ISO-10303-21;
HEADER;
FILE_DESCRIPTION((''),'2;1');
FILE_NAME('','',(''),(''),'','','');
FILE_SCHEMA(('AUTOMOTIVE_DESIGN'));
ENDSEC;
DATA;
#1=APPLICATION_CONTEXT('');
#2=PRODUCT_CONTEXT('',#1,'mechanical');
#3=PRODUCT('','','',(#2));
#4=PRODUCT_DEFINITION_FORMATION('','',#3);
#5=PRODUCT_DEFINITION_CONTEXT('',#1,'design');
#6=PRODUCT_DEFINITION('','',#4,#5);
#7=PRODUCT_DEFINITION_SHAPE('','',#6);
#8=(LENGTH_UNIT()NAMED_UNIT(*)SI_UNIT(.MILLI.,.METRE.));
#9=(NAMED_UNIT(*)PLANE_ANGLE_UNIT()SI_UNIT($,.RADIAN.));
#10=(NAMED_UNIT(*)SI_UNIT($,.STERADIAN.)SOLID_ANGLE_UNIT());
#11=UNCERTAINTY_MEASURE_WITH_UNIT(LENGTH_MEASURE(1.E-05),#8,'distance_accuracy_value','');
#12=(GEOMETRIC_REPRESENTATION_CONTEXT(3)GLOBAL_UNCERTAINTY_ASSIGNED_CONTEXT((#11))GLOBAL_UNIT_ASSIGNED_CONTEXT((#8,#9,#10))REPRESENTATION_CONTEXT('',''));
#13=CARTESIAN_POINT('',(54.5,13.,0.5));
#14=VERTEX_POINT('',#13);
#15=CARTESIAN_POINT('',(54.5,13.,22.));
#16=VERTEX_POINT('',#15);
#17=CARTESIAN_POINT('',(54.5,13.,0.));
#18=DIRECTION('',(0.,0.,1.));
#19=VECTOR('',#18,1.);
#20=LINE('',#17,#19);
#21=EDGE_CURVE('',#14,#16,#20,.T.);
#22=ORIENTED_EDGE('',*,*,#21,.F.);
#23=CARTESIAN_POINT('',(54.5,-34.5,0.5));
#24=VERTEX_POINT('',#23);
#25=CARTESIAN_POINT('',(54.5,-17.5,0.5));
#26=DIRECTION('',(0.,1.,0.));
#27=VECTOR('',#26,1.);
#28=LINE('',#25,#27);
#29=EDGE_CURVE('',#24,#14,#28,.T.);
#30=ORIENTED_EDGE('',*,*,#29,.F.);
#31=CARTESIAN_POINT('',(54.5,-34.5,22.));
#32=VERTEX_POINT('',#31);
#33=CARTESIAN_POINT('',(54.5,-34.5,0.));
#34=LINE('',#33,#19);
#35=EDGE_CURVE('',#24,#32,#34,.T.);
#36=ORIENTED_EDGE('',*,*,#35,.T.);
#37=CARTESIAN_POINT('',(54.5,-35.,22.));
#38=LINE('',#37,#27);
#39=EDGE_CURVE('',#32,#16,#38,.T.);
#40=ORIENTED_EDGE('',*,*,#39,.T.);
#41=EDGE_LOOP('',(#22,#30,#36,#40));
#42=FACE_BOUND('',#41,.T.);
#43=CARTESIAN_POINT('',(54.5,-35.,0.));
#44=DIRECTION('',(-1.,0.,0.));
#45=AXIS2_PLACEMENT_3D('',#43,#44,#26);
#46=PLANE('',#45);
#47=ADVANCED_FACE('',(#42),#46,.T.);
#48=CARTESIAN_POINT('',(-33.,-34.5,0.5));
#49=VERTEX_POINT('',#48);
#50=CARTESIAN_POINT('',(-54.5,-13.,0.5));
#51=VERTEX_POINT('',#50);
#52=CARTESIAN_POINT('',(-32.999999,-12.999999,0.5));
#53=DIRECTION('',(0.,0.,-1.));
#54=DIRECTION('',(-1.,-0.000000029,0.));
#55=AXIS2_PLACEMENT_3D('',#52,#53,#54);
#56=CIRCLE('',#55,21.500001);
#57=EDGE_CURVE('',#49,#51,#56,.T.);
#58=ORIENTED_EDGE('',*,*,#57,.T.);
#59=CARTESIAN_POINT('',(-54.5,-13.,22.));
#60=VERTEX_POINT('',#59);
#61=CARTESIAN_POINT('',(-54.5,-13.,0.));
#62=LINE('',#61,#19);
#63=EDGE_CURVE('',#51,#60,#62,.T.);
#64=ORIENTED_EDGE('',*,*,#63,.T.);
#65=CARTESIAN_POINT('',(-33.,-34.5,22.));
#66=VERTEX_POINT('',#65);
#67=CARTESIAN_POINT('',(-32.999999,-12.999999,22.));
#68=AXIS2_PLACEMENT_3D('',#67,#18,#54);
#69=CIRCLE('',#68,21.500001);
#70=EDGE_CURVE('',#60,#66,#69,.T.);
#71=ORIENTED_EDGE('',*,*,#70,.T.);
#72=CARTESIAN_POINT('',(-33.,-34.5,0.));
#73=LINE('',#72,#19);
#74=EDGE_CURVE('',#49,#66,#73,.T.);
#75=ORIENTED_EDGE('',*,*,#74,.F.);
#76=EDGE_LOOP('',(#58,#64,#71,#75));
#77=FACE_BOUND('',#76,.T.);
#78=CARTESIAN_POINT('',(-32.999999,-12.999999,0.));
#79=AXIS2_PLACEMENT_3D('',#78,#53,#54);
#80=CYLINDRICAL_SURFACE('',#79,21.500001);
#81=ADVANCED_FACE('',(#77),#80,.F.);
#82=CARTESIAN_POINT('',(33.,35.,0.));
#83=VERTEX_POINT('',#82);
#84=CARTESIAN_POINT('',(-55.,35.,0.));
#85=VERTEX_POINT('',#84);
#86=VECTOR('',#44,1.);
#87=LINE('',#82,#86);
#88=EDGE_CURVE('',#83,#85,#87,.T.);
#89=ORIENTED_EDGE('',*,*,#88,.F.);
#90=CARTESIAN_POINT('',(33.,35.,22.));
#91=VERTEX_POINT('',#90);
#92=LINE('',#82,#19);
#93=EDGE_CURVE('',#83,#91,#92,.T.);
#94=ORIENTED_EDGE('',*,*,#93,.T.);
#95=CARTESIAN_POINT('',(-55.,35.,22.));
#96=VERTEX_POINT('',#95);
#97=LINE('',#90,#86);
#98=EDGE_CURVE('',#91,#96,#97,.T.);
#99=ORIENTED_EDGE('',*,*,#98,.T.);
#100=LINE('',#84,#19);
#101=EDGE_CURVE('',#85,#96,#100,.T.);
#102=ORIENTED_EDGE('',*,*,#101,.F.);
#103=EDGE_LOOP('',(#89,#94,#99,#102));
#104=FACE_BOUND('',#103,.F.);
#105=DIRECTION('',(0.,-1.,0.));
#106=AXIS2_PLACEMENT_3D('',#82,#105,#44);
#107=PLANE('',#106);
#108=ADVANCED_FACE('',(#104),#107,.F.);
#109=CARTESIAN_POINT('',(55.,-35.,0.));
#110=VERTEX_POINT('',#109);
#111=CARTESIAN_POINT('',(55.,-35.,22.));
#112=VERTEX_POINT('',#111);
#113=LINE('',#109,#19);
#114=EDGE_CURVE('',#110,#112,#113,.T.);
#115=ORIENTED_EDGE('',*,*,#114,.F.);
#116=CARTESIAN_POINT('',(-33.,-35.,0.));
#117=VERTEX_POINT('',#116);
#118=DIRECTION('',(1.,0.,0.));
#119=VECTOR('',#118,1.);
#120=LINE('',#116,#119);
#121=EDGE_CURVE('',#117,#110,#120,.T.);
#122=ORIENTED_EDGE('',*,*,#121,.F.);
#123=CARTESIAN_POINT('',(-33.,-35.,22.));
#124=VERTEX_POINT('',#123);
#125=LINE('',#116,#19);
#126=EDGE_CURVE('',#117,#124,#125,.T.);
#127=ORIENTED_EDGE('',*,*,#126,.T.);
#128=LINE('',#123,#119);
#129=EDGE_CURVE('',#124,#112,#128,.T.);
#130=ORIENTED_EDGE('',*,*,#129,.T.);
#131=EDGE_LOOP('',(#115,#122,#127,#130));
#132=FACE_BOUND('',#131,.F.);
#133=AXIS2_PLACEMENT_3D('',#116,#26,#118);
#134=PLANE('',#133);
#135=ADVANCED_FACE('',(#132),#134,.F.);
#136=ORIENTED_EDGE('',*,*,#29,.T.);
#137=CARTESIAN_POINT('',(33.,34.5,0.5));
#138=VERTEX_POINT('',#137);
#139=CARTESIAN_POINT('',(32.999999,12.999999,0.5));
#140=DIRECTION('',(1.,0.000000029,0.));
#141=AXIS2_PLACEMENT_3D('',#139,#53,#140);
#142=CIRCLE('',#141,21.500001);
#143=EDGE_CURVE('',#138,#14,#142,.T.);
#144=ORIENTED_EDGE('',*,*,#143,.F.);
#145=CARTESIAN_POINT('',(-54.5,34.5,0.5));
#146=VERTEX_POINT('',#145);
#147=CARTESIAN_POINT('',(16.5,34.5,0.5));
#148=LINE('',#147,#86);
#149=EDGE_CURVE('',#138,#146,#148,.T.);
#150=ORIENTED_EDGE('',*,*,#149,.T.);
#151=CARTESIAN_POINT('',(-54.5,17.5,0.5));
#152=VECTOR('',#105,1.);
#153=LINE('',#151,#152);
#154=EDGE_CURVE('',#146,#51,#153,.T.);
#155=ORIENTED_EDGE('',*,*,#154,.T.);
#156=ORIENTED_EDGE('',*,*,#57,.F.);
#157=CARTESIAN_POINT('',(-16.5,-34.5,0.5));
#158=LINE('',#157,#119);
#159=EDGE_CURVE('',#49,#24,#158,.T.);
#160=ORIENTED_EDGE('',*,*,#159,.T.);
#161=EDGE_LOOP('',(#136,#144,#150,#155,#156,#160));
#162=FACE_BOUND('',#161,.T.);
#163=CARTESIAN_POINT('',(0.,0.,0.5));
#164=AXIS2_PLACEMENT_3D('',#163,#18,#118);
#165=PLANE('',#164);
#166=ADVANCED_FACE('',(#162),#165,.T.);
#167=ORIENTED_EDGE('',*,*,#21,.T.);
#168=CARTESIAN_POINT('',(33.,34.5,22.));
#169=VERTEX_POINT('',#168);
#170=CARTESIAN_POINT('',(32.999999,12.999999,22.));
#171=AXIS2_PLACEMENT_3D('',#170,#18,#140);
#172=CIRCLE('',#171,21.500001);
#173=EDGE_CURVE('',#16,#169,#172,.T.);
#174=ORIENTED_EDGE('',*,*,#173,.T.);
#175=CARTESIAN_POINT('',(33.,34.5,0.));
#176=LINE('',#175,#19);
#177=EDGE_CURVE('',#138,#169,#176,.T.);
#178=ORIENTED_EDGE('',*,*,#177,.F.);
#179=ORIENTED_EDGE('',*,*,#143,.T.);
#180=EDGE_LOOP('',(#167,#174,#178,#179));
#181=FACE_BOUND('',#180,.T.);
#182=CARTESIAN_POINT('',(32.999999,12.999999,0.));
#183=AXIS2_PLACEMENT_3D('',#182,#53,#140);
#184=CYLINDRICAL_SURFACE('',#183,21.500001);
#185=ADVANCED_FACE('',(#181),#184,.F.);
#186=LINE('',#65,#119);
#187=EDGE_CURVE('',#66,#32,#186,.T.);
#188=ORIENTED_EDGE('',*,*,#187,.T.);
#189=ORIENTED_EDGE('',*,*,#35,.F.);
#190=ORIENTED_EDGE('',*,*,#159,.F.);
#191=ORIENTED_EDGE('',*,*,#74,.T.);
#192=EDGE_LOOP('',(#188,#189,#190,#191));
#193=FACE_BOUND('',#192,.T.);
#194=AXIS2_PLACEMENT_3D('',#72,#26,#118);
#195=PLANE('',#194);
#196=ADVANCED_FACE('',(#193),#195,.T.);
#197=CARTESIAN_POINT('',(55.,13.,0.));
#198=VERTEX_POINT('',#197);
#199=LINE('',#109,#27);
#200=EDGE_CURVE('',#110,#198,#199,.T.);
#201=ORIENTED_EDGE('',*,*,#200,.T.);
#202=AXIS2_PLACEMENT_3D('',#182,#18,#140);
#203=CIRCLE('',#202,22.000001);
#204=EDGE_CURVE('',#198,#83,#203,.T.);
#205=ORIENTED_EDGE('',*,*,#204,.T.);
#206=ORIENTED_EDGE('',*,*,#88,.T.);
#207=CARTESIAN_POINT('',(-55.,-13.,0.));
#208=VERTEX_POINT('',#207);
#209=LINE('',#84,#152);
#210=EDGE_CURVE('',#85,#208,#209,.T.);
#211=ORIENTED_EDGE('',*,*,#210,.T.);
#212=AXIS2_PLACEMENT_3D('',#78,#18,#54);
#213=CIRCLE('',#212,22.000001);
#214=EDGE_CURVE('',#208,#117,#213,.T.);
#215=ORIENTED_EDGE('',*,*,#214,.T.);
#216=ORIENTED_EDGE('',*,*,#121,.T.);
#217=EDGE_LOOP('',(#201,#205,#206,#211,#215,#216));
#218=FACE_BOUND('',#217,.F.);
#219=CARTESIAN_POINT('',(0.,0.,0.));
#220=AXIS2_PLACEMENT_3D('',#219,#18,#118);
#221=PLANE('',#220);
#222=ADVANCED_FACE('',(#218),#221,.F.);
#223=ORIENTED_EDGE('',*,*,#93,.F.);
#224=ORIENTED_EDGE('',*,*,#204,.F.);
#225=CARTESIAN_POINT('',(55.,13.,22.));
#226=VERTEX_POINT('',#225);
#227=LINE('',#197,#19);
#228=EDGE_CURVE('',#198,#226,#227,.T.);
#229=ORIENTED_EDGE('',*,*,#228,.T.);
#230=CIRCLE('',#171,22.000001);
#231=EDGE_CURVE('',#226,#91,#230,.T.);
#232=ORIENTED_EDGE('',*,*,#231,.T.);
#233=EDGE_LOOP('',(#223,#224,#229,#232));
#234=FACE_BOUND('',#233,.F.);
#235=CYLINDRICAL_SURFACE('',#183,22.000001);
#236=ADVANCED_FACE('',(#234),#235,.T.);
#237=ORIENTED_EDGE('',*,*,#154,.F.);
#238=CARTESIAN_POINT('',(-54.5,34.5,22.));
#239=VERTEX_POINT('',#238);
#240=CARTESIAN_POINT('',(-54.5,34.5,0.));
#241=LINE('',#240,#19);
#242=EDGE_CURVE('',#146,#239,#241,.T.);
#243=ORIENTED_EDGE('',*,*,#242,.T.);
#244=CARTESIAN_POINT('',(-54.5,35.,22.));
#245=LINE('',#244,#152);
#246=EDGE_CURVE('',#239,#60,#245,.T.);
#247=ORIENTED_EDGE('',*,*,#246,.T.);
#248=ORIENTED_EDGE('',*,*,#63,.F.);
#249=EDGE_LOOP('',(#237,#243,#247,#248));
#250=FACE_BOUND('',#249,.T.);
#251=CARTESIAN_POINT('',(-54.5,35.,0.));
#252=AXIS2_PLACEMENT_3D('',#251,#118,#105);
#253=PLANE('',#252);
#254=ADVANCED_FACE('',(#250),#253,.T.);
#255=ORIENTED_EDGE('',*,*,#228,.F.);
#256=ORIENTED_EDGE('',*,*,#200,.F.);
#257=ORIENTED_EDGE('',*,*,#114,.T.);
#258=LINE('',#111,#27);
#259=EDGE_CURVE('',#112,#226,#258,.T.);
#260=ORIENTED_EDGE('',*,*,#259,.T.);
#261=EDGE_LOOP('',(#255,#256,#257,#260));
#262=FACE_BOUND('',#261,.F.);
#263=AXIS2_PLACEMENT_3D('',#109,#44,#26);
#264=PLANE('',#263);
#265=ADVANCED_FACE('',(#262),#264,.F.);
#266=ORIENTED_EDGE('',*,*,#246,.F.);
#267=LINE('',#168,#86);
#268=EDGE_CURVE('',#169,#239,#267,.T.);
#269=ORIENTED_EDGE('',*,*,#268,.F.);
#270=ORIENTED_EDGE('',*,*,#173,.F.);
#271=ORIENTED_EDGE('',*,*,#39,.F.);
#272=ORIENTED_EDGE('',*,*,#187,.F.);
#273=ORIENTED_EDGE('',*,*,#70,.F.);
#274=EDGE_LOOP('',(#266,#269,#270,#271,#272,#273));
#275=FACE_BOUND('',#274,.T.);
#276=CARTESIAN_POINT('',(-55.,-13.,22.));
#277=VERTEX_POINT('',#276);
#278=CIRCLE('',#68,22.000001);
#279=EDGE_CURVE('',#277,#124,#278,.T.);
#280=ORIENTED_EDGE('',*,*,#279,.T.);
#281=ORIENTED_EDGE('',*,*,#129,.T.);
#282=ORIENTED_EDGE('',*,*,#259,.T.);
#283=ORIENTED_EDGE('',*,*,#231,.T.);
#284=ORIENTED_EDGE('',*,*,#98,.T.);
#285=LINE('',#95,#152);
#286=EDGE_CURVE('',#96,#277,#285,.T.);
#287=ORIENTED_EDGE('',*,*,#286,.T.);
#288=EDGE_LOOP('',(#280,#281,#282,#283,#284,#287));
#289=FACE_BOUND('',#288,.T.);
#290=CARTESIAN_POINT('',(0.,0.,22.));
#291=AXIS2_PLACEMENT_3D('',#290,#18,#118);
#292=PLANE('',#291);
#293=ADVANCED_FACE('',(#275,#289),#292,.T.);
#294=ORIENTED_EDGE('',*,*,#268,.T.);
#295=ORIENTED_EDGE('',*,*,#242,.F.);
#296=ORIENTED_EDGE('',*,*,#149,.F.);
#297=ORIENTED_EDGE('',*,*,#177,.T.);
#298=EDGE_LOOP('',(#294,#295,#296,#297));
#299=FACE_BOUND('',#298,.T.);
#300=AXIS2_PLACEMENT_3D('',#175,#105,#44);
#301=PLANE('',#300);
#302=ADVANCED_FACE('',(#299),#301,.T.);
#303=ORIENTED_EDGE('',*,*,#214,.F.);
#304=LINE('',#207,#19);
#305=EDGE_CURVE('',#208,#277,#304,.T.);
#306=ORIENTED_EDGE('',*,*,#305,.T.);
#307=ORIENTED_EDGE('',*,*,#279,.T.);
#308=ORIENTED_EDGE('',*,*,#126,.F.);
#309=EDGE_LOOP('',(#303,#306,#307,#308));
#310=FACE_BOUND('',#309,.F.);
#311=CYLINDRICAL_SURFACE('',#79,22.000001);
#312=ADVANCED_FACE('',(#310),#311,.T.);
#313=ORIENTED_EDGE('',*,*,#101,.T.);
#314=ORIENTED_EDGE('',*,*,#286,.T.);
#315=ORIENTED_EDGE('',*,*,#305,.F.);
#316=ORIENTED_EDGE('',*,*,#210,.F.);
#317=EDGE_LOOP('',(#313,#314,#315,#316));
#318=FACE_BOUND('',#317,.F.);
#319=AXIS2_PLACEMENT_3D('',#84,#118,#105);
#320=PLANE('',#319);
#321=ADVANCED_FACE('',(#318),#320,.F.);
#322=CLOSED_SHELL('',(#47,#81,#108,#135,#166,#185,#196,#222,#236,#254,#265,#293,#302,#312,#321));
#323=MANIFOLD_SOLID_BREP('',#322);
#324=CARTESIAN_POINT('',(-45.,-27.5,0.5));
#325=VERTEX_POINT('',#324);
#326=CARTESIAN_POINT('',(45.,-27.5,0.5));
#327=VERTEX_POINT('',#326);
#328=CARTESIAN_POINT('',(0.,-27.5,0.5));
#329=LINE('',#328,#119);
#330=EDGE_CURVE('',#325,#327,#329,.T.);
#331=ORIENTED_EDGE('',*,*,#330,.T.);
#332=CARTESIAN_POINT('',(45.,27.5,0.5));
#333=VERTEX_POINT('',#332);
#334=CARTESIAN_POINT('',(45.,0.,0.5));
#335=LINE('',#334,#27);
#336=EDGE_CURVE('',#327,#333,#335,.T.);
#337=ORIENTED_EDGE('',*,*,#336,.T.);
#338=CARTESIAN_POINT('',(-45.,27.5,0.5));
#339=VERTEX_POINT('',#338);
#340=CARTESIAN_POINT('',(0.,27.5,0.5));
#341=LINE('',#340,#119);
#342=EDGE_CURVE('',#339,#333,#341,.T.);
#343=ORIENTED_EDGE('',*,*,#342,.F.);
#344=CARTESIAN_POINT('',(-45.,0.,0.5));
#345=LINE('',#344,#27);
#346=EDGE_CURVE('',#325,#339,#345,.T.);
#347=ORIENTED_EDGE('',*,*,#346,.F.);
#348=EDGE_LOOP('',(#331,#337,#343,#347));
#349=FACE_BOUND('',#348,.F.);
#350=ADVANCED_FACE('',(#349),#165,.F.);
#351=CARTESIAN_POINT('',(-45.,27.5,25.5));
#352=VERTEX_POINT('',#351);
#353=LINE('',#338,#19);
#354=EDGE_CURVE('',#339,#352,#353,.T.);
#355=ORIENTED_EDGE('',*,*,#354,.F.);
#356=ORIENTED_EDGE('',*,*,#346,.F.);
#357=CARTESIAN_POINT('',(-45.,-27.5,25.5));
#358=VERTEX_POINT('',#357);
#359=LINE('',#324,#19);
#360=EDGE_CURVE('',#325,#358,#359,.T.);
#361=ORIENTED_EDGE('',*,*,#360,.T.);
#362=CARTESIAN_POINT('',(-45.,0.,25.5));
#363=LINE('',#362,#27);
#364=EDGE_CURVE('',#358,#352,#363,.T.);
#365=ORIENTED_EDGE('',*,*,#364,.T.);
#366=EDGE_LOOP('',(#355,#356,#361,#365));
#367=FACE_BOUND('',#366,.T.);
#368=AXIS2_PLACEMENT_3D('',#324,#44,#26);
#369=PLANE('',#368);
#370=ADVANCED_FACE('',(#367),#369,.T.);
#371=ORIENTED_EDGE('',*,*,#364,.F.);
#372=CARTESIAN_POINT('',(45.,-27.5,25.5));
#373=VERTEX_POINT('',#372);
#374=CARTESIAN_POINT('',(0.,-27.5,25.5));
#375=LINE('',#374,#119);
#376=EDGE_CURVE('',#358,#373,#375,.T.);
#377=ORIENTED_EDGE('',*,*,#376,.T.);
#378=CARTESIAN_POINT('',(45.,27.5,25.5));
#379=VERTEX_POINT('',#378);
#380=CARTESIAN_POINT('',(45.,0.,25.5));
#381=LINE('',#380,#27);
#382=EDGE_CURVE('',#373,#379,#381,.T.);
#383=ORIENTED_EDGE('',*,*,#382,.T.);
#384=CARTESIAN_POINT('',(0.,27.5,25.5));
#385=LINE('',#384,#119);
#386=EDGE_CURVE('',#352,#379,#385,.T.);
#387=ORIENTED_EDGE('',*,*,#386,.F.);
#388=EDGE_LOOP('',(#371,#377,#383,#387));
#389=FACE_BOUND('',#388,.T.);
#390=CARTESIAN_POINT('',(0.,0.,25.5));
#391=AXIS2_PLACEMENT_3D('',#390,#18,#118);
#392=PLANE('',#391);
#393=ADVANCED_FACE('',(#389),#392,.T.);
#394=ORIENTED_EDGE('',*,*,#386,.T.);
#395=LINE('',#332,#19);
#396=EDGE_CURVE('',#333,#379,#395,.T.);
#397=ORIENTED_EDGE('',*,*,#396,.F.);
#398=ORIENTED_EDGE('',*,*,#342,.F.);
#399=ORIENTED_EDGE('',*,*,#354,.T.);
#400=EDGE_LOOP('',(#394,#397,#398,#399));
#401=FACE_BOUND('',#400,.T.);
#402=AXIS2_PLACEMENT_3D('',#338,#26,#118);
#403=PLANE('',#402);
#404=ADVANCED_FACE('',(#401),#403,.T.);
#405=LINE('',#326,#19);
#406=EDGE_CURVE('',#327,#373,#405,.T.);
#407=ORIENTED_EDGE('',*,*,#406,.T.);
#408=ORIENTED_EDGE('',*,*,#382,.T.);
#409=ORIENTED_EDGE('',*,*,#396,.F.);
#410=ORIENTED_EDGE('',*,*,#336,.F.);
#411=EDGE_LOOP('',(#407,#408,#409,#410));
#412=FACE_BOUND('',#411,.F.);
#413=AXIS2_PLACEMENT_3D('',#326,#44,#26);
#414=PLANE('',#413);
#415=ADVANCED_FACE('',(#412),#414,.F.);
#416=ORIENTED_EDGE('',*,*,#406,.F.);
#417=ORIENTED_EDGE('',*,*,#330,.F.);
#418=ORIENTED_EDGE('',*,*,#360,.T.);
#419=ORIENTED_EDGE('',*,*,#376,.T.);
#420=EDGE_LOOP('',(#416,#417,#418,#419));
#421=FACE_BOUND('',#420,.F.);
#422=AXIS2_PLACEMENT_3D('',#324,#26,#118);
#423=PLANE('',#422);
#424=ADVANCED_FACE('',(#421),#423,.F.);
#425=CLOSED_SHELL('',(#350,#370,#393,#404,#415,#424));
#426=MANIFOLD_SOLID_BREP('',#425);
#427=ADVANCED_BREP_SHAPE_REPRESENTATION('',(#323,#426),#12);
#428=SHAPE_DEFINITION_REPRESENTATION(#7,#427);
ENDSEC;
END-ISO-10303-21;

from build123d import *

# Parameters (mm, degrees)
F1_DEPTH = 22
F2_T     = -0.5
F3_W     = 90
F3_H     = 55
F4_DEPTH = 25


with BuildPart() as f1:
    # F0 (on Top) → F1 (new body)
    with BuildSketch(Plane.XY):
        with BuildLine():
            ThreePointArc((55, 13), (48.556349, 28.556349), (33, 35))
            Line((33, 35), (-55, 35))
            Line((-55, 35), (-55, -13))
            ThreePointArc((-55, -13), (-48.556349, -28.556349), (-33, -35))
            Line((-33, -35), (55, -35))
            Line((55, -35), (55, 13))
        make_face()
    extrude(amount=F1_DEPTH)

    # F2
    f2_openings = [f1.faces().sort_by_distance(p)[0] for p in [
        (0, 0, 22),
    ]]
    offset(amount=F2_T, openings=f2_openings)


with BuildPart() as f4:
    # F3 (on face) → F4 (new body)
    with BuildSketch(Plane.XY.offset(0.5)):
        Rectangle(F3_W, F3_H)
    extrude(amount=F4_DEPTH)


solid = Compound([f1.part, f4.part])
